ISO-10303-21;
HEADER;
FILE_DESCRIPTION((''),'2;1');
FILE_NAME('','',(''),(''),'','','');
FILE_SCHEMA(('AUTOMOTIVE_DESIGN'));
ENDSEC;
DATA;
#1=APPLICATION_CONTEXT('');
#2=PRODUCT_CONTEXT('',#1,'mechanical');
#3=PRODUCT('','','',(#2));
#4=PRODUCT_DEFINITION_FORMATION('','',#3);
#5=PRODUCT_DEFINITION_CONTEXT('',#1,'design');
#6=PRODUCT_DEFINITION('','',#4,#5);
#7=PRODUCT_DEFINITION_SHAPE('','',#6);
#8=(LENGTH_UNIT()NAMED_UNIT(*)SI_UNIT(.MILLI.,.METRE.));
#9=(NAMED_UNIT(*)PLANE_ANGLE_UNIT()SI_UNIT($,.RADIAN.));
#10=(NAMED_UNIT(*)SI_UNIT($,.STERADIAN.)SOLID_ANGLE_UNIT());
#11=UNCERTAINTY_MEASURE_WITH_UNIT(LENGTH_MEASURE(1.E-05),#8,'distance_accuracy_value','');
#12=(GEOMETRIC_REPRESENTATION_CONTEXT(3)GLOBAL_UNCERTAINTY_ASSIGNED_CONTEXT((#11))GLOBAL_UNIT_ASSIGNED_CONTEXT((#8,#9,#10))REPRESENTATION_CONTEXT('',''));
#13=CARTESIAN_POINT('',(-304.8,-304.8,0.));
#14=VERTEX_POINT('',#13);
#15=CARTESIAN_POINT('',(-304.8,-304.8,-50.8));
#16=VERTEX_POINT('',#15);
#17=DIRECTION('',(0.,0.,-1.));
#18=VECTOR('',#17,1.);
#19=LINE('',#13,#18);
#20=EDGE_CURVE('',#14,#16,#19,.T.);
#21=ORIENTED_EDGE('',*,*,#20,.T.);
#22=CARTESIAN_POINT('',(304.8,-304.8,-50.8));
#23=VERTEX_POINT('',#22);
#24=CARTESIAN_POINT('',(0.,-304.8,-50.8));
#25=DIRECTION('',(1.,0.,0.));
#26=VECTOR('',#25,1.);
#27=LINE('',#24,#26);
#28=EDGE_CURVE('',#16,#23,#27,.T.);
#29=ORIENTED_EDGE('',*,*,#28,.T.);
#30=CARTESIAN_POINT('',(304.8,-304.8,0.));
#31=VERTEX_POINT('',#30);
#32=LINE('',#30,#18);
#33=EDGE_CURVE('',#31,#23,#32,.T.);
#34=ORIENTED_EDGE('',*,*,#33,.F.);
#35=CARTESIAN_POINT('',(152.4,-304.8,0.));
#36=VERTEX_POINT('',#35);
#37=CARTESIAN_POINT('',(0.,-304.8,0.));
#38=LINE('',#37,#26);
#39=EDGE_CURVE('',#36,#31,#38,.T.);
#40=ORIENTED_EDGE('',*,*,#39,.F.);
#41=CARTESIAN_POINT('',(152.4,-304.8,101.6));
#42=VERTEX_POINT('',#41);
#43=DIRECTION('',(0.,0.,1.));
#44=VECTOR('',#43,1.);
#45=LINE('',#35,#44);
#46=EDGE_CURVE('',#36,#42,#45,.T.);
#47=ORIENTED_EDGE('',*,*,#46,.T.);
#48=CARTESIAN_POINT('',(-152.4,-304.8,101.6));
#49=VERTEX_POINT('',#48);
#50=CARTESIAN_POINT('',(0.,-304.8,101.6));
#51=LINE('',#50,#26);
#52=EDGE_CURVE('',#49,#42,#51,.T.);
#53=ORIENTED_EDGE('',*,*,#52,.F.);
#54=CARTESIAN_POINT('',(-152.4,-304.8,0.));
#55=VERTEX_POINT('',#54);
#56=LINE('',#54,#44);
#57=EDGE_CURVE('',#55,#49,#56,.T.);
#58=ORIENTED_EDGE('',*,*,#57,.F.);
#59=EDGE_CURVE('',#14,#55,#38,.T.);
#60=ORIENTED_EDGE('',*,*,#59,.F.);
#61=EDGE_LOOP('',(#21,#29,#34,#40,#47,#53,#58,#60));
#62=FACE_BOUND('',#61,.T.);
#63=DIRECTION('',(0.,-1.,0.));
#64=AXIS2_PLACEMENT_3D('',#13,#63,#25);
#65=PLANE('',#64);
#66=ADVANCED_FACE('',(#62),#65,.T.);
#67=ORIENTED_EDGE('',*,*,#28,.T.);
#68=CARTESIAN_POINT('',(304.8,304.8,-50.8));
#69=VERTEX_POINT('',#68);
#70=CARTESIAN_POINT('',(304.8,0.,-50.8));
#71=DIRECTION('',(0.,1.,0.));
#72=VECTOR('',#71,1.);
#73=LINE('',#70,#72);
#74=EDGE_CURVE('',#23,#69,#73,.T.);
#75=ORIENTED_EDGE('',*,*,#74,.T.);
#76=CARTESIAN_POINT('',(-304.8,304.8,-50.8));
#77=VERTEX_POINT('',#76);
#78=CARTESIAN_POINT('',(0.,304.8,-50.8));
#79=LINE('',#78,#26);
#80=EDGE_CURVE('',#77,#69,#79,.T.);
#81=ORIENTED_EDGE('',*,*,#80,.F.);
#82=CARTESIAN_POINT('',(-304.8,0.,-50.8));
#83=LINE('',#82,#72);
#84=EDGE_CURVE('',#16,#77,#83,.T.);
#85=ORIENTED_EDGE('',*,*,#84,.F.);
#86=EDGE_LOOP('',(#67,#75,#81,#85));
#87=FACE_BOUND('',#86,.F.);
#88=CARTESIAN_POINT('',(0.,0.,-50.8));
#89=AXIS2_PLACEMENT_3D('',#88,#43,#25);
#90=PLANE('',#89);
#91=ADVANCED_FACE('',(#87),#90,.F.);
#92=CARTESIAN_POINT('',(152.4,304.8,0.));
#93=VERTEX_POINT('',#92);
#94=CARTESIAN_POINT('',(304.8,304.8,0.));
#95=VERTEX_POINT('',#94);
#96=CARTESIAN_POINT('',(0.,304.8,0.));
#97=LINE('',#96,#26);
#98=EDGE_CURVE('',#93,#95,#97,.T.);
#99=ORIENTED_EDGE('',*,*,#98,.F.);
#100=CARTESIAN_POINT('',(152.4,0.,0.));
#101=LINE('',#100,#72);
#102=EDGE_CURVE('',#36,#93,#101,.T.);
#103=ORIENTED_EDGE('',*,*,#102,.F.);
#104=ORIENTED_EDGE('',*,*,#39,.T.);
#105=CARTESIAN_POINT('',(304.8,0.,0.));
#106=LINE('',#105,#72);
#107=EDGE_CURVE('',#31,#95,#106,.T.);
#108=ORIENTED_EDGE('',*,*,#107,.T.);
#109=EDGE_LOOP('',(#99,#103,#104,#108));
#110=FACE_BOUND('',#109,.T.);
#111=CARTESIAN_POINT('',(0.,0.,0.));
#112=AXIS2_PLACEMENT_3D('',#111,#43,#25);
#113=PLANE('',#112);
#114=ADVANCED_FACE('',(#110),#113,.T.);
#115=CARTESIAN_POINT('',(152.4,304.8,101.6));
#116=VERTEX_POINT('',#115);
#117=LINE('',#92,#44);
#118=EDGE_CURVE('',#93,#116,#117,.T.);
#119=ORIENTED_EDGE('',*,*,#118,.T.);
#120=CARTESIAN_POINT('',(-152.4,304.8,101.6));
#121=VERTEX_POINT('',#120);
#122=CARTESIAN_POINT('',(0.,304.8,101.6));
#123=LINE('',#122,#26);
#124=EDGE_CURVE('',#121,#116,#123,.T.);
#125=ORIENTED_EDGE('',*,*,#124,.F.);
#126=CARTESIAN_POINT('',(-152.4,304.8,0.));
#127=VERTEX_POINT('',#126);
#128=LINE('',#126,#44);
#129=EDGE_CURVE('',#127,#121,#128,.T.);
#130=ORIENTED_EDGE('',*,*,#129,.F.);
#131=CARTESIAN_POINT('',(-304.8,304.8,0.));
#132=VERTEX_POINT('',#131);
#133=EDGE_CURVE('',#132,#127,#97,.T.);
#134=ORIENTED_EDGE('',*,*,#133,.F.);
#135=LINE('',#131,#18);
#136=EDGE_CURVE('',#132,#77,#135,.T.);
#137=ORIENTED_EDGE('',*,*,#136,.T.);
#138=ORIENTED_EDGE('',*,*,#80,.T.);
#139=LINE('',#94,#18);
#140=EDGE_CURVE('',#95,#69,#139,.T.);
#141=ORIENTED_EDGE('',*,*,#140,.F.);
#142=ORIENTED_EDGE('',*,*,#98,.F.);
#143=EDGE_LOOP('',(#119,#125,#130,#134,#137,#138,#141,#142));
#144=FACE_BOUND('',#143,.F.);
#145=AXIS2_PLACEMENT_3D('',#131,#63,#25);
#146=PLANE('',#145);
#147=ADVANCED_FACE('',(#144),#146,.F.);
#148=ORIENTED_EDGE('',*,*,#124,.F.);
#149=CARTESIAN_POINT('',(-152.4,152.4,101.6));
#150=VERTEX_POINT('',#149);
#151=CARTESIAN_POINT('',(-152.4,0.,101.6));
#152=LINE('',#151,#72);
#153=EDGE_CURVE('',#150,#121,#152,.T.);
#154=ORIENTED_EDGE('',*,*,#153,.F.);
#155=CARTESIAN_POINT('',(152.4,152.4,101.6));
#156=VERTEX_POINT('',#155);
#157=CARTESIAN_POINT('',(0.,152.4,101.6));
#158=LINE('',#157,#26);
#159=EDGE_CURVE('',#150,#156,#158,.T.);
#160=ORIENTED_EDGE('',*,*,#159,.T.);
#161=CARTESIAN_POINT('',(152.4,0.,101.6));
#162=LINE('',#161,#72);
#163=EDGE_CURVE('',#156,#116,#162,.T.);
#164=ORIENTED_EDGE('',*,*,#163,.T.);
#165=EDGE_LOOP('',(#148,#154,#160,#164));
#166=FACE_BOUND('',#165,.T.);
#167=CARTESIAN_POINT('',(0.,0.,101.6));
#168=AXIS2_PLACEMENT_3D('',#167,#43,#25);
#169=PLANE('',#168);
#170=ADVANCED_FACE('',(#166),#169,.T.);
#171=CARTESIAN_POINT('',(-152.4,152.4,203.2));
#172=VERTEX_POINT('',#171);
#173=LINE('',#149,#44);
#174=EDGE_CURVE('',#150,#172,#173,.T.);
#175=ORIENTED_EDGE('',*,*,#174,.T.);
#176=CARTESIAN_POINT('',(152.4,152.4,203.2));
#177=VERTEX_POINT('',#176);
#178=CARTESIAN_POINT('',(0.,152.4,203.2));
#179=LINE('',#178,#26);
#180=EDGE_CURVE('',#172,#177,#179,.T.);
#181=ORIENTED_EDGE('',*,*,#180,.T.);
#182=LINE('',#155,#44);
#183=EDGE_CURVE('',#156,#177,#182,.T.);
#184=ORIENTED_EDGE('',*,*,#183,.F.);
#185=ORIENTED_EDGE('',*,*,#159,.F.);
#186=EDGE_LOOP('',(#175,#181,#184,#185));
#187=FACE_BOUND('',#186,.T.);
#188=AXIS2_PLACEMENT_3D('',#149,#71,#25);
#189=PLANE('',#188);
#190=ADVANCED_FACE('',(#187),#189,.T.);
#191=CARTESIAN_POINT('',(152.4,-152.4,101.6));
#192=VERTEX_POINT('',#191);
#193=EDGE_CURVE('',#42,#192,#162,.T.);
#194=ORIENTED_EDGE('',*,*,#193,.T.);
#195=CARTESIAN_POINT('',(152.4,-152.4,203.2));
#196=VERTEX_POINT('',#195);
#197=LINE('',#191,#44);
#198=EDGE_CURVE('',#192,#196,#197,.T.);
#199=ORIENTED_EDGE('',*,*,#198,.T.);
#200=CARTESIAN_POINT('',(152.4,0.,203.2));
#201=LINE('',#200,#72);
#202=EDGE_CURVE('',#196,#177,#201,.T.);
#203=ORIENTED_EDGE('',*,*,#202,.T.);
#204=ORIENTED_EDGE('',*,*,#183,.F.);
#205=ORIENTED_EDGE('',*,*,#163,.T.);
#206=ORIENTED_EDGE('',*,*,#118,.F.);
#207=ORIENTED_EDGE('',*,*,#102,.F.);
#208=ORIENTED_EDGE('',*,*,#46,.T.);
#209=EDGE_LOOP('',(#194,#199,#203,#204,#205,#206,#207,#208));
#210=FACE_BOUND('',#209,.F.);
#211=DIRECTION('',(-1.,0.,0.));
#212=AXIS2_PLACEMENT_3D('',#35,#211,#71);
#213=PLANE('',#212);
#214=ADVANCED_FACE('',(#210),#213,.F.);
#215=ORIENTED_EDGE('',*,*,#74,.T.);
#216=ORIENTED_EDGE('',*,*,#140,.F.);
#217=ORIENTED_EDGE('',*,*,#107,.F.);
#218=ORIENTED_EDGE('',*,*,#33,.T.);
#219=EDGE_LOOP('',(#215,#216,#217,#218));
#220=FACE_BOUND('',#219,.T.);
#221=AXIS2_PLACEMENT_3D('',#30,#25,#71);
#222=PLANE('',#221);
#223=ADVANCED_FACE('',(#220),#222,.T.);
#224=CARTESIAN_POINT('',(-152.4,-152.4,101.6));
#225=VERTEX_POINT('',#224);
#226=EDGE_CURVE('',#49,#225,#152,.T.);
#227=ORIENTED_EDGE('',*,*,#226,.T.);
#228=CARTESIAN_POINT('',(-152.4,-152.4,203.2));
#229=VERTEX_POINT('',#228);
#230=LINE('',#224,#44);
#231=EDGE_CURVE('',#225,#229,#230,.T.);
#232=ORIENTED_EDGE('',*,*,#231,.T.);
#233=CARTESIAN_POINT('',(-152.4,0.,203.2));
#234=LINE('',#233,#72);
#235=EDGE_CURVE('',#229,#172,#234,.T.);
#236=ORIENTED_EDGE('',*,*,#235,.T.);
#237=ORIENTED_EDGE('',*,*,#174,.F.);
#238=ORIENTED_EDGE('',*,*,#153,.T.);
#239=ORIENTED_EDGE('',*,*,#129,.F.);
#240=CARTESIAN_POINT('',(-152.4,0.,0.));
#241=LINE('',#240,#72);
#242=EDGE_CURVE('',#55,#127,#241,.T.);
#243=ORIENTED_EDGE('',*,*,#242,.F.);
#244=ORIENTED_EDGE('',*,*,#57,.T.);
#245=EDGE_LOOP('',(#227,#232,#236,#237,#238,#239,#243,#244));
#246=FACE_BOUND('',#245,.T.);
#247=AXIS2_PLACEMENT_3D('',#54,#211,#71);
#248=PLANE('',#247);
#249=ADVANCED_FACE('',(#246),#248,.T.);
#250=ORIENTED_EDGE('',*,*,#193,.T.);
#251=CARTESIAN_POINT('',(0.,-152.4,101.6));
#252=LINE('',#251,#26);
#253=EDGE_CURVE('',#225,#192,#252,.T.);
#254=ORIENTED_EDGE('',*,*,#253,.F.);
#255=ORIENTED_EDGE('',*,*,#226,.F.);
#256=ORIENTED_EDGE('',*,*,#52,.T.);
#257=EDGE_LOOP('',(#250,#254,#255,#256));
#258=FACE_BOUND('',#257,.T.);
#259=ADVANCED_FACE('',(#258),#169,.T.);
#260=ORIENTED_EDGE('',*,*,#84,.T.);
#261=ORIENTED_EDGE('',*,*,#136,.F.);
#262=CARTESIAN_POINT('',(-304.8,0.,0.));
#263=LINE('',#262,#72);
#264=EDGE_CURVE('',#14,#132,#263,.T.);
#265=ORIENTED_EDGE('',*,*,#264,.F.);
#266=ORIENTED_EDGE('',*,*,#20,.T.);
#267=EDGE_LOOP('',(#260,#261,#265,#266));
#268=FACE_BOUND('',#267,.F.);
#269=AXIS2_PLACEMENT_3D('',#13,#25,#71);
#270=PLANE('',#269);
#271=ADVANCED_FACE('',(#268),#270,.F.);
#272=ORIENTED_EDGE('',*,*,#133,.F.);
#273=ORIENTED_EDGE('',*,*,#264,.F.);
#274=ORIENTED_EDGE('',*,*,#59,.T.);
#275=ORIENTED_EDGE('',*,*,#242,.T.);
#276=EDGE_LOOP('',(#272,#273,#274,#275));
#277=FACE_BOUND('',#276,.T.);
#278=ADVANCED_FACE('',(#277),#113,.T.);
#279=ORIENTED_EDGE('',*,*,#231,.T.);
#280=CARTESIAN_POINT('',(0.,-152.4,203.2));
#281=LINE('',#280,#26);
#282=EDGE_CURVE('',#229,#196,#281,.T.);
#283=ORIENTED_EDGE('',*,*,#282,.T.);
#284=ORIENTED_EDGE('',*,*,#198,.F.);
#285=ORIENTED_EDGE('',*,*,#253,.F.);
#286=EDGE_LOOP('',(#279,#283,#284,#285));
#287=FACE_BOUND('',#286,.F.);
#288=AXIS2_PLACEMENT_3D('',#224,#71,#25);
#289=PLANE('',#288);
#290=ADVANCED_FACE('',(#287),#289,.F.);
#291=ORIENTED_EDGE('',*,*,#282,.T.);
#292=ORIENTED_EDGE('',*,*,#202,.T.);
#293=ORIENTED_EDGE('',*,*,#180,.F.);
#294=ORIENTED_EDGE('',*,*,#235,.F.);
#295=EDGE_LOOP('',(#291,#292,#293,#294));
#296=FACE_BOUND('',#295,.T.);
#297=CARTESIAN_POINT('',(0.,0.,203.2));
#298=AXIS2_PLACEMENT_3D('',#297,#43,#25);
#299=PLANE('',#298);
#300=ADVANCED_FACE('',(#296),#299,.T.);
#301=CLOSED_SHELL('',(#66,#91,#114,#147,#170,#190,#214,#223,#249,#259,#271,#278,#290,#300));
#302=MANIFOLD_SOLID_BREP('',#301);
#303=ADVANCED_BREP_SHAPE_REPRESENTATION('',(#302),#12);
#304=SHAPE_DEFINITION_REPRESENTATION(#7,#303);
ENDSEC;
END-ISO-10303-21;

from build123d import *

# Parameters (mm, degrees)
F0_W     = 304.8
F0_H     = 609.6
F1_DEPTH = 101.6
F2_W     = 609.6
F2_H     = 609.6
F3_DEPTH = 50.8
F4_W     = 304.8
F4_H     = 304.8
F5_DEPTH = 101.6


with BuildPart() as f1:
    # F0 (on Top) → F1 (new body)
    with BuildSketch(Plane.XY):
        Rectangle(F0_W, F0_H)
    extrude(amount=F1_DEPTH)

    # F2 (on Top) → F3 (join)
    with BuildSketch(Plane.XY):
        Rectangle(F2_W, F2_H)
    extrude(amount=-F3_DEPTH)

    # F4 (on face) → F5 (join)
    with BuildSketch(Plane.XY.offset(101.6)):
        Rectangle(F4_W, F4_H)
    extrude(amount=F5_DEPTH)


solid = f1.part
